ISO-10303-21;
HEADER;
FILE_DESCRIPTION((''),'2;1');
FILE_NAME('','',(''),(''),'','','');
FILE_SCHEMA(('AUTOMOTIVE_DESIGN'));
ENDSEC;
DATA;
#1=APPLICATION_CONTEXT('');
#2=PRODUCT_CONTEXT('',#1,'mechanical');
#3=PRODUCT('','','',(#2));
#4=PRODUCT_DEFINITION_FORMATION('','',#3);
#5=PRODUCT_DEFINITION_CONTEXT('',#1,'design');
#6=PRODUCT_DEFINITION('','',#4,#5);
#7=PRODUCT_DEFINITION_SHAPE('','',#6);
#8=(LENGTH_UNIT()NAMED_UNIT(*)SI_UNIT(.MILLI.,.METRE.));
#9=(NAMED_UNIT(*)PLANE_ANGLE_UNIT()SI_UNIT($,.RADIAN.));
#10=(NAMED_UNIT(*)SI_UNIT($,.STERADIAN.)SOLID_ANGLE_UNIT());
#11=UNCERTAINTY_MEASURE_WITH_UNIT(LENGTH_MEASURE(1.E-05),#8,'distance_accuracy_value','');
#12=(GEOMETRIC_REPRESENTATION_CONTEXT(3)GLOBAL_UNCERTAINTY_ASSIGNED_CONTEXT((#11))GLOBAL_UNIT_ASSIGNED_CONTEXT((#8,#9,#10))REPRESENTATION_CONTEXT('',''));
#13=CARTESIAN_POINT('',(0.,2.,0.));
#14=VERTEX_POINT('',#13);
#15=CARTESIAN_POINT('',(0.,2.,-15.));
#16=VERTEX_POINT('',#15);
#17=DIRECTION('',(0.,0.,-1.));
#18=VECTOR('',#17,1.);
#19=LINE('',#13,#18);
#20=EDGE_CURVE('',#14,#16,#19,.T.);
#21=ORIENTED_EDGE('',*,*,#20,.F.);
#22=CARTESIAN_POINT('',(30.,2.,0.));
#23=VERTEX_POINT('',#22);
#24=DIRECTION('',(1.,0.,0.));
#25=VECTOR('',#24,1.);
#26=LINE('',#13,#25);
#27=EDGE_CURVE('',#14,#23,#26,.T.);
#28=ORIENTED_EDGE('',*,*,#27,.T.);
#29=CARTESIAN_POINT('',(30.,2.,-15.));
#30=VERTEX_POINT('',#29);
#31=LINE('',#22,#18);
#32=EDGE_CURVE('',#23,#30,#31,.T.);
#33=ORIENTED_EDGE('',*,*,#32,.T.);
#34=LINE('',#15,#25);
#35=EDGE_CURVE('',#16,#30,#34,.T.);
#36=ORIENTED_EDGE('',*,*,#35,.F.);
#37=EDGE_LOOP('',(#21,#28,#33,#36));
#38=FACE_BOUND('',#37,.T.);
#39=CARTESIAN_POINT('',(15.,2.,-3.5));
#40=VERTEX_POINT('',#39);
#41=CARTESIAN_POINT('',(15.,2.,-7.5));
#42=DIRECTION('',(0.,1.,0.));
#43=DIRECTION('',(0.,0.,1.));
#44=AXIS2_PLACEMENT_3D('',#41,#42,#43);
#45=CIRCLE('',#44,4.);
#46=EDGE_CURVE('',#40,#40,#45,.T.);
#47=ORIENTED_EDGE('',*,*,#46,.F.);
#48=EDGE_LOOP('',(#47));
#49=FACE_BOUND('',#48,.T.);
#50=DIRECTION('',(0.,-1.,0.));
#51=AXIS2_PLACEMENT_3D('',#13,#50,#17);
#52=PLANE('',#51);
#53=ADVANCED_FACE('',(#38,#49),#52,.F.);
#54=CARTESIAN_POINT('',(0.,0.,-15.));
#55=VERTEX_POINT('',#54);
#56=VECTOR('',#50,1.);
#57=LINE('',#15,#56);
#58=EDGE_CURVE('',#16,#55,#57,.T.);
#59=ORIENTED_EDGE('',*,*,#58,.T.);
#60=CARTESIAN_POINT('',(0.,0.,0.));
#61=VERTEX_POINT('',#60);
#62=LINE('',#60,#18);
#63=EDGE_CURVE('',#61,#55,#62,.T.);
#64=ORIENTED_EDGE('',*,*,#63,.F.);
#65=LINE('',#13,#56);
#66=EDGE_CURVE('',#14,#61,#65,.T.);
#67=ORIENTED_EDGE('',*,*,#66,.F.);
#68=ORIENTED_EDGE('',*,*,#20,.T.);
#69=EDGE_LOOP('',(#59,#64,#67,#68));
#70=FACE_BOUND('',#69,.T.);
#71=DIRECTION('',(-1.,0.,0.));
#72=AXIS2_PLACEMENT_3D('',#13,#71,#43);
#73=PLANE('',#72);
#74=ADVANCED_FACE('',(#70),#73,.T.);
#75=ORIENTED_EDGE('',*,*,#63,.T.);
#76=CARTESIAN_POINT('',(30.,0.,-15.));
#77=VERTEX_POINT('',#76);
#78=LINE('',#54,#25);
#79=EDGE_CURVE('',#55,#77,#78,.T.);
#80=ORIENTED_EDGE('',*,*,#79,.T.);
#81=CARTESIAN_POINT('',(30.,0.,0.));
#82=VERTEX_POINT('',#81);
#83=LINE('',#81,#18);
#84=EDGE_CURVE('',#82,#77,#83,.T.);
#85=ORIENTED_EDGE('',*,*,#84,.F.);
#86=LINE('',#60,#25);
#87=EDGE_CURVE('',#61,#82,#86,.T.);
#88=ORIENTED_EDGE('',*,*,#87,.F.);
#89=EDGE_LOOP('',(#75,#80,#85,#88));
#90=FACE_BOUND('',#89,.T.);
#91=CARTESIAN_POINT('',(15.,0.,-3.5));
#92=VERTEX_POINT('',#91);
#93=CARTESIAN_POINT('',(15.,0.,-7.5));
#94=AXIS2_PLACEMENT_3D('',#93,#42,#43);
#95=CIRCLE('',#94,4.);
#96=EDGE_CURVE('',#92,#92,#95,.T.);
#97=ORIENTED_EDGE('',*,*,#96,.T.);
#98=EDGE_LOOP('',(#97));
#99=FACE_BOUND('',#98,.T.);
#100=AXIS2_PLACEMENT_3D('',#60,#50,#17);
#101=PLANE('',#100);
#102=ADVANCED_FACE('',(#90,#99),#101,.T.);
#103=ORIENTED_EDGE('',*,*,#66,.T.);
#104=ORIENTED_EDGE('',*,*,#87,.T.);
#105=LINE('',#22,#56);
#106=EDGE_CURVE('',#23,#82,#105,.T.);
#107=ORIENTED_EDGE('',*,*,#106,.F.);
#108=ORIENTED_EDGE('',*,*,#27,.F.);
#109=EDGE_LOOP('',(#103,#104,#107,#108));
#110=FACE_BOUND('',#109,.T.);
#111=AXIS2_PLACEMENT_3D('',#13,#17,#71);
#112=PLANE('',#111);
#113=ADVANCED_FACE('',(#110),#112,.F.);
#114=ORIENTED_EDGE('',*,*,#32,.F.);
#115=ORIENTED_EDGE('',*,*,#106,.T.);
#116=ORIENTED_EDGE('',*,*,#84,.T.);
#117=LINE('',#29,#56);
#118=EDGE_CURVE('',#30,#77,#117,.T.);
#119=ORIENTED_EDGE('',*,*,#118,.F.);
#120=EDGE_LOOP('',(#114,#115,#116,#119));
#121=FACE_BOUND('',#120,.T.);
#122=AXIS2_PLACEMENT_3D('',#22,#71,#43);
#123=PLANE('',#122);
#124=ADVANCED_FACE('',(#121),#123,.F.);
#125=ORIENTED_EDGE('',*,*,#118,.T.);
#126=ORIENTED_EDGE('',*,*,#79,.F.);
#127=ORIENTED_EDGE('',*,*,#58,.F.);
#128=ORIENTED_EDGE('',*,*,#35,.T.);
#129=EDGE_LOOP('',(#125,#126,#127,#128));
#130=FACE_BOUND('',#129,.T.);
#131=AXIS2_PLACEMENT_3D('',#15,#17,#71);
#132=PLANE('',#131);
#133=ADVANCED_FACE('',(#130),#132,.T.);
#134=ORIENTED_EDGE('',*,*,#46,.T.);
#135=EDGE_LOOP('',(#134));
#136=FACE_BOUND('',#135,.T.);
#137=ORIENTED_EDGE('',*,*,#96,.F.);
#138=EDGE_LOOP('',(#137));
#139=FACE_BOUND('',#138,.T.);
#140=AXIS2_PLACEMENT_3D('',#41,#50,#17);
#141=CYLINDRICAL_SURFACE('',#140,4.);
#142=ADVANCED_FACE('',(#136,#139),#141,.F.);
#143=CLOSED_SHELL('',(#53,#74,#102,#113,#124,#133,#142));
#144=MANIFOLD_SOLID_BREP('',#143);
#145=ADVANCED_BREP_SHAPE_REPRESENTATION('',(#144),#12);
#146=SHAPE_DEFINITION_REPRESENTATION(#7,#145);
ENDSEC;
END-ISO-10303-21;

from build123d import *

# Parameters (mm, degrees)
SKETCH1_W           = 30
SKETCH1_H           = 15
SKETCH1_R           = 4
BOSS_EXTRUDE2_DEPTH = 2


with BuildPart() as part:
    # Sketch1 → Boss-Extrude2 (new body)
    with BuildSketch(Plane(origin=(0, 0, 0), x_dir=(1, 0, 0), z_dir=(0, 1, 0))):
        with Locations((15, 7.5)):
            Rectangle(SKETCH1_W, SKETCH1_H)
        with Locations(Location((15, 7.5, 0), (0, 0, 270))):
            Circle(SKETCH1_R, mode=Mode.SUBTRACT)
    extrude(amount=BOSS_EXTRUDE2_DEPTH)


solid = part.part
